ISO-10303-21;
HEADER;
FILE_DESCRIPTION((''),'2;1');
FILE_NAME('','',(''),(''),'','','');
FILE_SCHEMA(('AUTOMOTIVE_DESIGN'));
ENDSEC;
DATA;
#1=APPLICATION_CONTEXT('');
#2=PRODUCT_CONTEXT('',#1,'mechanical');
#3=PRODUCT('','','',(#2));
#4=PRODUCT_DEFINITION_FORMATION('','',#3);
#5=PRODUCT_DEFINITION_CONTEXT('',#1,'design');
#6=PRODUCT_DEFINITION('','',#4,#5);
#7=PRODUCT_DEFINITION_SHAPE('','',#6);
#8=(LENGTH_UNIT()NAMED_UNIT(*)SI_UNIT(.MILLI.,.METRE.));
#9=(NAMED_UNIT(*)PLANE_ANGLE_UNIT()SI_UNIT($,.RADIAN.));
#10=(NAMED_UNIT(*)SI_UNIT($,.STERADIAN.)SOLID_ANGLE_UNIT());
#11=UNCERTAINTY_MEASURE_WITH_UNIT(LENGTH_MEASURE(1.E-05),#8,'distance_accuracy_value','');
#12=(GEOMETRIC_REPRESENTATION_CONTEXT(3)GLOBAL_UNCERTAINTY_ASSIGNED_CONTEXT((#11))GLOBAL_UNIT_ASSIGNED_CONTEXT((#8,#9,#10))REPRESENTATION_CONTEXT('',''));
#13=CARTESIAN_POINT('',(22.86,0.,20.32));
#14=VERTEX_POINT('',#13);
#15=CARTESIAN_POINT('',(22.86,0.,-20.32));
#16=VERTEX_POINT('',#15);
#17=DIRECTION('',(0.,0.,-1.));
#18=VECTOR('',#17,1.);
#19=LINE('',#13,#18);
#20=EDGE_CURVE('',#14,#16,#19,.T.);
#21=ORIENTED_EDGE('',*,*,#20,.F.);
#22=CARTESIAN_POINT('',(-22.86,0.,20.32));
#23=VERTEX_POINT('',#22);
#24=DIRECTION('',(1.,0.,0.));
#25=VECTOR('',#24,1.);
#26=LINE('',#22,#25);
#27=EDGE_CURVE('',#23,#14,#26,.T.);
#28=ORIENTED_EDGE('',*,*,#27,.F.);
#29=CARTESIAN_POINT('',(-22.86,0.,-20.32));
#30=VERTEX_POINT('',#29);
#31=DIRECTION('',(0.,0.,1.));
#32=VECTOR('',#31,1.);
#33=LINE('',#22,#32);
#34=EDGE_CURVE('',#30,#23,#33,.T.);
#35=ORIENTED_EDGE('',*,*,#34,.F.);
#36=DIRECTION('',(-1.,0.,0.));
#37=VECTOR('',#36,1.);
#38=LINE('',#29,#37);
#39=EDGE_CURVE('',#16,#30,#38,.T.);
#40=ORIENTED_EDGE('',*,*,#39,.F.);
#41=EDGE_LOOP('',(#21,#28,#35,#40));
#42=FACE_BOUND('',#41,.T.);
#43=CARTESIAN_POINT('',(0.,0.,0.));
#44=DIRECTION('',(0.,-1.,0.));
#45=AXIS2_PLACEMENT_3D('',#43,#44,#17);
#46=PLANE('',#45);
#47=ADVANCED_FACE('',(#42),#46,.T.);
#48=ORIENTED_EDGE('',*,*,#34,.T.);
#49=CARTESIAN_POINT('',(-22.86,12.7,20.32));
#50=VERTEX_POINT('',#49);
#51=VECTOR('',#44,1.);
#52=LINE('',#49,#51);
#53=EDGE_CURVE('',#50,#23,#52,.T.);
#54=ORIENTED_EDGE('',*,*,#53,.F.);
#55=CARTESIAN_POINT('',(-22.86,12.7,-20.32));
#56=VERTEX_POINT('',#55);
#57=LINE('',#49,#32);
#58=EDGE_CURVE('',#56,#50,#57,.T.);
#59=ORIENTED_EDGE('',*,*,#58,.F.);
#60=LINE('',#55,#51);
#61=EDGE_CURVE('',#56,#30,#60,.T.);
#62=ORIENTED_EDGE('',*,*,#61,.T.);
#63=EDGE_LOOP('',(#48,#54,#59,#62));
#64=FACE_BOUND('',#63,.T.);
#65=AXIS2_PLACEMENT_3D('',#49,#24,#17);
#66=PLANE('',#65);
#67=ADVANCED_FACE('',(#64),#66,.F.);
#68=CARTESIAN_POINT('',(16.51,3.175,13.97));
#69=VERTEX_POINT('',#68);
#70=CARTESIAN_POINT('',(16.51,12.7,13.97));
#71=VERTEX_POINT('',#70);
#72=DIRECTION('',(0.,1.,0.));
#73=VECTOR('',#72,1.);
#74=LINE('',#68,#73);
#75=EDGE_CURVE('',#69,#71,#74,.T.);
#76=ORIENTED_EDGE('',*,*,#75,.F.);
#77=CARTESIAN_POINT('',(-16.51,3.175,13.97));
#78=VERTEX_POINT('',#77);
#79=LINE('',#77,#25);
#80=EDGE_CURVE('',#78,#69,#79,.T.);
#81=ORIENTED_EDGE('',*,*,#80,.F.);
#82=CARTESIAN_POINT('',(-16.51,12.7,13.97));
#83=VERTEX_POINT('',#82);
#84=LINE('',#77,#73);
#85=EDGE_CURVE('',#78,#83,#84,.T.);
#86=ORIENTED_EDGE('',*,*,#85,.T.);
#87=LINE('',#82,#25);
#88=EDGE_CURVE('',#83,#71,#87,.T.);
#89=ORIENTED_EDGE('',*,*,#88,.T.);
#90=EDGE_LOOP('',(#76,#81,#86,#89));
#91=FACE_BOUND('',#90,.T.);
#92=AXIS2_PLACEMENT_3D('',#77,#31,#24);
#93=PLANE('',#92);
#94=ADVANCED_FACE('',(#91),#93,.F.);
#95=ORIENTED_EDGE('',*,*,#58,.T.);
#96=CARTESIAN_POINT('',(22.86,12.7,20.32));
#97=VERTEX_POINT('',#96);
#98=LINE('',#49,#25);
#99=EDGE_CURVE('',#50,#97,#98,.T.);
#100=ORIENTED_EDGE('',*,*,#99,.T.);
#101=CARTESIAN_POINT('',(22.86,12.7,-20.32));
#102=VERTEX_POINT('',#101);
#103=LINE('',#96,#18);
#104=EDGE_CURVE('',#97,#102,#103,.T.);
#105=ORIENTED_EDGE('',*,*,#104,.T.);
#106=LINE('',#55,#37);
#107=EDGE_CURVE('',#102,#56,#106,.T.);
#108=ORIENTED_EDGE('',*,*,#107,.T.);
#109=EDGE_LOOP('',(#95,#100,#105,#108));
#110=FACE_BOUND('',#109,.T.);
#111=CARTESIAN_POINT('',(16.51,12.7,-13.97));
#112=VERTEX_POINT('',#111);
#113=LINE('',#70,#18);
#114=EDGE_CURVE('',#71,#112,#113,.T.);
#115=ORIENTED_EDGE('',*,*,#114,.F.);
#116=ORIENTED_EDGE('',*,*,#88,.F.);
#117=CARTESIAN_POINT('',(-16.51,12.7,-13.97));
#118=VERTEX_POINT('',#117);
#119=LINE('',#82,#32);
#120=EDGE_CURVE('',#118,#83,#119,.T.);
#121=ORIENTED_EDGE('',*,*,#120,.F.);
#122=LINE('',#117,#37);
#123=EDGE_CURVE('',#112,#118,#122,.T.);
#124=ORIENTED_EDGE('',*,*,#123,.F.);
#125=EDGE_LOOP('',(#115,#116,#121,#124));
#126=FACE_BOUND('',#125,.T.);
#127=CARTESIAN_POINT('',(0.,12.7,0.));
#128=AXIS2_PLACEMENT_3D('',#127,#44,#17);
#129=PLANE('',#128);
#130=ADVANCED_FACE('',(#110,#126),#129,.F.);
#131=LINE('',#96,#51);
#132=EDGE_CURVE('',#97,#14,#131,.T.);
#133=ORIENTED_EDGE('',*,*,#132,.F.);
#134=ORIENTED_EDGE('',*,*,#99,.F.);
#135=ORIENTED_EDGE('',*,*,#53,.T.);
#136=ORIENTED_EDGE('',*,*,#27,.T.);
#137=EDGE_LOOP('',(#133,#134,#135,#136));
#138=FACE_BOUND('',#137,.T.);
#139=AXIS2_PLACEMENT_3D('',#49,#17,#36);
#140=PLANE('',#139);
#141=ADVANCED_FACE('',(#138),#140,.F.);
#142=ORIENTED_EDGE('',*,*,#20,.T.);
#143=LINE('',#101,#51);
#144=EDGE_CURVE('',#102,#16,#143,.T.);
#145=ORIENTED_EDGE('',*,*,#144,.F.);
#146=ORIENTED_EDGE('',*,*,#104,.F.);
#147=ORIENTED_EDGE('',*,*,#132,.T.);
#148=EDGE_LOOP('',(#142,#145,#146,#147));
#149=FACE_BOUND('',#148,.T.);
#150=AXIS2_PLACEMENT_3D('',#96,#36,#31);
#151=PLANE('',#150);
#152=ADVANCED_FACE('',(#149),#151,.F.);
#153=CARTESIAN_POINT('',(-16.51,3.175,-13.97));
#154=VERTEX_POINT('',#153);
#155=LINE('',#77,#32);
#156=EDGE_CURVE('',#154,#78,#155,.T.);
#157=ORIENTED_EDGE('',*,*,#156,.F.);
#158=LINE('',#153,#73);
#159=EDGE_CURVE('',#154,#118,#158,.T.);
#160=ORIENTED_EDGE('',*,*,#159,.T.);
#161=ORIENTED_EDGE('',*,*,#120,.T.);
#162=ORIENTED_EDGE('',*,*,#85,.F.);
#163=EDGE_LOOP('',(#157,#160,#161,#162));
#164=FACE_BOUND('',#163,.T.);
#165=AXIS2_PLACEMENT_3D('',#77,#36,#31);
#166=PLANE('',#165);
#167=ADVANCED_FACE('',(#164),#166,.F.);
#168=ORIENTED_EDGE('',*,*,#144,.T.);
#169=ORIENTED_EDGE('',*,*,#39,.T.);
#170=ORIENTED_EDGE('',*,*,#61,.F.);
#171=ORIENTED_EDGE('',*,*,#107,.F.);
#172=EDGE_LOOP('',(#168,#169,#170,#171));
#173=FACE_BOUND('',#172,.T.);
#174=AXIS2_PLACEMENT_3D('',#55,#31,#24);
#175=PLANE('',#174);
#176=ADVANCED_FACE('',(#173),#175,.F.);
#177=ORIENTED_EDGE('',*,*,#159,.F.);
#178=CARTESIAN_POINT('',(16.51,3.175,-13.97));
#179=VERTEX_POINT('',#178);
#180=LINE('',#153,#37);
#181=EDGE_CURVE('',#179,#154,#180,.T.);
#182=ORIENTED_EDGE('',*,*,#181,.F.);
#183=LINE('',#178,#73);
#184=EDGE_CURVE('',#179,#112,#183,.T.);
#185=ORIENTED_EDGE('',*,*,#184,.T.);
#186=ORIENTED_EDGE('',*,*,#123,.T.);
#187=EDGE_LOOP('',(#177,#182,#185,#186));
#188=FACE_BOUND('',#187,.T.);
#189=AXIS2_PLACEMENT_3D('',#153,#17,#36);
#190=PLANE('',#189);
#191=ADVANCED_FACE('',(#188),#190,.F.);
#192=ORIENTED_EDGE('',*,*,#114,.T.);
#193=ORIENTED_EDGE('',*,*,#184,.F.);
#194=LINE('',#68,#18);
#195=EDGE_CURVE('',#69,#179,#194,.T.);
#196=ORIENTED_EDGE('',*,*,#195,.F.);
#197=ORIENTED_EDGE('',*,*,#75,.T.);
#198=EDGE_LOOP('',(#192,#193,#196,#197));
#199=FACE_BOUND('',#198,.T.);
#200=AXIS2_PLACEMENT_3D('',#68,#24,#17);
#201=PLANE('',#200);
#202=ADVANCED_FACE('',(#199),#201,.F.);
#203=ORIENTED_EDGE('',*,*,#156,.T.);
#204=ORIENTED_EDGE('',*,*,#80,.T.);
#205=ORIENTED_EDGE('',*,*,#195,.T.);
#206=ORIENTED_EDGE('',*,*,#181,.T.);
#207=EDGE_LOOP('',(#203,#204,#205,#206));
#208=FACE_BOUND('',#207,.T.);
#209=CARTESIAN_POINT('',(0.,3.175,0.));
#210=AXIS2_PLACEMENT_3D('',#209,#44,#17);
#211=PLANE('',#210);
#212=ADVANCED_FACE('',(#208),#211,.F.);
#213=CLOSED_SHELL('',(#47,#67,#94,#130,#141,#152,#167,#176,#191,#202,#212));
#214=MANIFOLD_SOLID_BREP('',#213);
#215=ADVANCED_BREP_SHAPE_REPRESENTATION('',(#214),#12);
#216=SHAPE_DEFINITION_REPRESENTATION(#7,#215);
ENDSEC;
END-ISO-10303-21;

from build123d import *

# Parameters (mm, degrees)
SKETCH2_W           = 45.72
SKETCH2_H           = 40.64
BOSS_EXTRUDE1_DEPTH = 12.7
SKETCH3_W           = 33.02
SKETCH3_H           = 27.94
CUT_EXTRUDE1_DEPTH  = 9.525


with BuildPart() as part:
    # Sketch2 → Boss-Extrude1 (new body)
    with BuildSketch(Plane(origin=(0, 0, 0), x_dir=(1, 0, 0), z_dir=(0, 1, 0))):
        Rectangle(SKETCH2_W, SKETCH2_H)
    extrude(amount=BOSS_EXTRUDE1_DEPTH)

    # Sketch3 → Cut-Extrude1 (cut)
    with BuildSketch(Plane(origin=(0, 12.7, 0), x_dir=(1, 0, 0), z_dir=(0, 1, 0))):
        Rectangle(SKETCH3_W, SKETCH3_H)
    extrude(amount=-CUT_EXTRUDE1_DEPTH, mode=Mode.SUBTRACT)


solid = part.part
